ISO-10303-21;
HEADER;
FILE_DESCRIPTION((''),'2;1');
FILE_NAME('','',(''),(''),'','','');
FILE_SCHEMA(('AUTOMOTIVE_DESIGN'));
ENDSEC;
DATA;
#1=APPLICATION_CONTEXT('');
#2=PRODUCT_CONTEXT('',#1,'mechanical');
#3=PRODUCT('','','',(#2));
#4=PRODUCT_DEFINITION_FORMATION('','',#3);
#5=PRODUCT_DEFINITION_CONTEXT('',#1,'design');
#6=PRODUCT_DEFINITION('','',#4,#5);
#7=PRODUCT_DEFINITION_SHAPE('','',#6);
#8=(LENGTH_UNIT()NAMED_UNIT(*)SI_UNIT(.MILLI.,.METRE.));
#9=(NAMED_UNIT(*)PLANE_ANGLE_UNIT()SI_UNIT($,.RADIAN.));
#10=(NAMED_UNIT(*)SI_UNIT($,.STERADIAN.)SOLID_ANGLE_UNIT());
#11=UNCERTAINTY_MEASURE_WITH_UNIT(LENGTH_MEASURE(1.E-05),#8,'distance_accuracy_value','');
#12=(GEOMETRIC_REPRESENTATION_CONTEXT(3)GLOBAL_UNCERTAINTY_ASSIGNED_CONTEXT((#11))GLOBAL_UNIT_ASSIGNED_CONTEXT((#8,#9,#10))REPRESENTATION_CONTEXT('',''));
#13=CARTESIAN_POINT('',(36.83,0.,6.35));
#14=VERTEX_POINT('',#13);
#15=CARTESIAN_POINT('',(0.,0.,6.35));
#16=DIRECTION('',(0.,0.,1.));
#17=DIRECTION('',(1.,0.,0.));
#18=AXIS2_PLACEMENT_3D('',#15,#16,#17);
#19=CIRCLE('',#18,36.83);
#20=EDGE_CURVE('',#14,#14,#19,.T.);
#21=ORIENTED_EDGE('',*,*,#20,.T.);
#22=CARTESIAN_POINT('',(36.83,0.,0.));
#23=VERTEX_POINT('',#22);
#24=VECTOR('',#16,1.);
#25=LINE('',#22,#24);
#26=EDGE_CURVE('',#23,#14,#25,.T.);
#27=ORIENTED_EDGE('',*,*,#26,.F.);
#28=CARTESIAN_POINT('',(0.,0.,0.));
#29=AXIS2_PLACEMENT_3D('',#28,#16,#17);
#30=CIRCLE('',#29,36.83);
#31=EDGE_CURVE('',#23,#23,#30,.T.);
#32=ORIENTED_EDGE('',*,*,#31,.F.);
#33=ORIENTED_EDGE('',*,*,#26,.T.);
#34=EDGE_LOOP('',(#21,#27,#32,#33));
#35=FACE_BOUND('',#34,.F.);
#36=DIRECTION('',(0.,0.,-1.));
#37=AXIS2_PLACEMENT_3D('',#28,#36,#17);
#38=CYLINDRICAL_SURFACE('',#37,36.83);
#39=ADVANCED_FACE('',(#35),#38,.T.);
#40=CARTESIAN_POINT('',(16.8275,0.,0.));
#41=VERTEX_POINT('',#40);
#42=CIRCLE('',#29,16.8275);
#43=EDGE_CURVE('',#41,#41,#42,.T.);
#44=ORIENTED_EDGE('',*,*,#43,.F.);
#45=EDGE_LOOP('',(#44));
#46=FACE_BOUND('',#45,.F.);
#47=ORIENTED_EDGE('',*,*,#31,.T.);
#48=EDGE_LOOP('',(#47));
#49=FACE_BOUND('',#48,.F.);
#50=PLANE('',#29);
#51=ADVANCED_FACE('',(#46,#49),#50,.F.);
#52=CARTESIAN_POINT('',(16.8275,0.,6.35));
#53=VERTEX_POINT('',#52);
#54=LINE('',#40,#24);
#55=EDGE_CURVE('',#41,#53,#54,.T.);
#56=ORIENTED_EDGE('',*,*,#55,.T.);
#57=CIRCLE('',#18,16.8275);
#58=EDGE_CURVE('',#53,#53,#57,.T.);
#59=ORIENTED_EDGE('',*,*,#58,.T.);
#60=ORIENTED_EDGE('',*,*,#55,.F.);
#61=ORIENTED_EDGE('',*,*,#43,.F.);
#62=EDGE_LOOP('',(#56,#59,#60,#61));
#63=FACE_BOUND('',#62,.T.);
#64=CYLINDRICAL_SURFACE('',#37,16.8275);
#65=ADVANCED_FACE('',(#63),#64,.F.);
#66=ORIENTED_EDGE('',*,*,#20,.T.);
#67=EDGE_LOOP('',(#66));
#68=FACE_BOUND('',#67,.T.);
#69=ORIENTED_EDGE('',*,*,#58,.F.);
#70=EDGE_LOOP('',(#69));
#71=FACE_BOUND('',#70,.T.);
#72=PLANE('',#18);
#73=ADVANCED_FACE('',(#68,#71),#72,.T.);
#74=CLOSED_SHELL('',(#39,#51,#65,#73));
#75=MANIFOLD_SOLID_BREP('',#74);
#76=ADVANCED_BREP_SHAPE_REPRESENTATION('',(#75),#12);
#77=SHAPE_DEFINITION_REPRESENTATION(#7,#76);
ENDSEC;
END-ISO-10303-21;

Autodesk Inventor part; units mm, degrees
ref_plane "YZ Plane" through (0, 0, 0) normal (1, 0, 0) x (0, 1, 0)
ref_plane "XZ Plane" through (0, 0, 0) normal (0, 1, 0) x (-1, 0, 0)
ref_plane "XY Plane" through (0, 0, 0) normal (0, 0, 1) x (1, 0, 0)
sketch "Sketch1" plane through (0, 0, 0) normal (0, 0, 1) x (1, 0, 0)
  circle A0 centre (0, 0) radius 36.83
  circle A1 centre (0, 0) radius 16.8275
  dimension "d0" = 73.66
  dimension "d1" = 33.655
extrude "Extrusion1" add sketch "Sketch1" along normal blind 6.35
properties part number "Centering Ring"
